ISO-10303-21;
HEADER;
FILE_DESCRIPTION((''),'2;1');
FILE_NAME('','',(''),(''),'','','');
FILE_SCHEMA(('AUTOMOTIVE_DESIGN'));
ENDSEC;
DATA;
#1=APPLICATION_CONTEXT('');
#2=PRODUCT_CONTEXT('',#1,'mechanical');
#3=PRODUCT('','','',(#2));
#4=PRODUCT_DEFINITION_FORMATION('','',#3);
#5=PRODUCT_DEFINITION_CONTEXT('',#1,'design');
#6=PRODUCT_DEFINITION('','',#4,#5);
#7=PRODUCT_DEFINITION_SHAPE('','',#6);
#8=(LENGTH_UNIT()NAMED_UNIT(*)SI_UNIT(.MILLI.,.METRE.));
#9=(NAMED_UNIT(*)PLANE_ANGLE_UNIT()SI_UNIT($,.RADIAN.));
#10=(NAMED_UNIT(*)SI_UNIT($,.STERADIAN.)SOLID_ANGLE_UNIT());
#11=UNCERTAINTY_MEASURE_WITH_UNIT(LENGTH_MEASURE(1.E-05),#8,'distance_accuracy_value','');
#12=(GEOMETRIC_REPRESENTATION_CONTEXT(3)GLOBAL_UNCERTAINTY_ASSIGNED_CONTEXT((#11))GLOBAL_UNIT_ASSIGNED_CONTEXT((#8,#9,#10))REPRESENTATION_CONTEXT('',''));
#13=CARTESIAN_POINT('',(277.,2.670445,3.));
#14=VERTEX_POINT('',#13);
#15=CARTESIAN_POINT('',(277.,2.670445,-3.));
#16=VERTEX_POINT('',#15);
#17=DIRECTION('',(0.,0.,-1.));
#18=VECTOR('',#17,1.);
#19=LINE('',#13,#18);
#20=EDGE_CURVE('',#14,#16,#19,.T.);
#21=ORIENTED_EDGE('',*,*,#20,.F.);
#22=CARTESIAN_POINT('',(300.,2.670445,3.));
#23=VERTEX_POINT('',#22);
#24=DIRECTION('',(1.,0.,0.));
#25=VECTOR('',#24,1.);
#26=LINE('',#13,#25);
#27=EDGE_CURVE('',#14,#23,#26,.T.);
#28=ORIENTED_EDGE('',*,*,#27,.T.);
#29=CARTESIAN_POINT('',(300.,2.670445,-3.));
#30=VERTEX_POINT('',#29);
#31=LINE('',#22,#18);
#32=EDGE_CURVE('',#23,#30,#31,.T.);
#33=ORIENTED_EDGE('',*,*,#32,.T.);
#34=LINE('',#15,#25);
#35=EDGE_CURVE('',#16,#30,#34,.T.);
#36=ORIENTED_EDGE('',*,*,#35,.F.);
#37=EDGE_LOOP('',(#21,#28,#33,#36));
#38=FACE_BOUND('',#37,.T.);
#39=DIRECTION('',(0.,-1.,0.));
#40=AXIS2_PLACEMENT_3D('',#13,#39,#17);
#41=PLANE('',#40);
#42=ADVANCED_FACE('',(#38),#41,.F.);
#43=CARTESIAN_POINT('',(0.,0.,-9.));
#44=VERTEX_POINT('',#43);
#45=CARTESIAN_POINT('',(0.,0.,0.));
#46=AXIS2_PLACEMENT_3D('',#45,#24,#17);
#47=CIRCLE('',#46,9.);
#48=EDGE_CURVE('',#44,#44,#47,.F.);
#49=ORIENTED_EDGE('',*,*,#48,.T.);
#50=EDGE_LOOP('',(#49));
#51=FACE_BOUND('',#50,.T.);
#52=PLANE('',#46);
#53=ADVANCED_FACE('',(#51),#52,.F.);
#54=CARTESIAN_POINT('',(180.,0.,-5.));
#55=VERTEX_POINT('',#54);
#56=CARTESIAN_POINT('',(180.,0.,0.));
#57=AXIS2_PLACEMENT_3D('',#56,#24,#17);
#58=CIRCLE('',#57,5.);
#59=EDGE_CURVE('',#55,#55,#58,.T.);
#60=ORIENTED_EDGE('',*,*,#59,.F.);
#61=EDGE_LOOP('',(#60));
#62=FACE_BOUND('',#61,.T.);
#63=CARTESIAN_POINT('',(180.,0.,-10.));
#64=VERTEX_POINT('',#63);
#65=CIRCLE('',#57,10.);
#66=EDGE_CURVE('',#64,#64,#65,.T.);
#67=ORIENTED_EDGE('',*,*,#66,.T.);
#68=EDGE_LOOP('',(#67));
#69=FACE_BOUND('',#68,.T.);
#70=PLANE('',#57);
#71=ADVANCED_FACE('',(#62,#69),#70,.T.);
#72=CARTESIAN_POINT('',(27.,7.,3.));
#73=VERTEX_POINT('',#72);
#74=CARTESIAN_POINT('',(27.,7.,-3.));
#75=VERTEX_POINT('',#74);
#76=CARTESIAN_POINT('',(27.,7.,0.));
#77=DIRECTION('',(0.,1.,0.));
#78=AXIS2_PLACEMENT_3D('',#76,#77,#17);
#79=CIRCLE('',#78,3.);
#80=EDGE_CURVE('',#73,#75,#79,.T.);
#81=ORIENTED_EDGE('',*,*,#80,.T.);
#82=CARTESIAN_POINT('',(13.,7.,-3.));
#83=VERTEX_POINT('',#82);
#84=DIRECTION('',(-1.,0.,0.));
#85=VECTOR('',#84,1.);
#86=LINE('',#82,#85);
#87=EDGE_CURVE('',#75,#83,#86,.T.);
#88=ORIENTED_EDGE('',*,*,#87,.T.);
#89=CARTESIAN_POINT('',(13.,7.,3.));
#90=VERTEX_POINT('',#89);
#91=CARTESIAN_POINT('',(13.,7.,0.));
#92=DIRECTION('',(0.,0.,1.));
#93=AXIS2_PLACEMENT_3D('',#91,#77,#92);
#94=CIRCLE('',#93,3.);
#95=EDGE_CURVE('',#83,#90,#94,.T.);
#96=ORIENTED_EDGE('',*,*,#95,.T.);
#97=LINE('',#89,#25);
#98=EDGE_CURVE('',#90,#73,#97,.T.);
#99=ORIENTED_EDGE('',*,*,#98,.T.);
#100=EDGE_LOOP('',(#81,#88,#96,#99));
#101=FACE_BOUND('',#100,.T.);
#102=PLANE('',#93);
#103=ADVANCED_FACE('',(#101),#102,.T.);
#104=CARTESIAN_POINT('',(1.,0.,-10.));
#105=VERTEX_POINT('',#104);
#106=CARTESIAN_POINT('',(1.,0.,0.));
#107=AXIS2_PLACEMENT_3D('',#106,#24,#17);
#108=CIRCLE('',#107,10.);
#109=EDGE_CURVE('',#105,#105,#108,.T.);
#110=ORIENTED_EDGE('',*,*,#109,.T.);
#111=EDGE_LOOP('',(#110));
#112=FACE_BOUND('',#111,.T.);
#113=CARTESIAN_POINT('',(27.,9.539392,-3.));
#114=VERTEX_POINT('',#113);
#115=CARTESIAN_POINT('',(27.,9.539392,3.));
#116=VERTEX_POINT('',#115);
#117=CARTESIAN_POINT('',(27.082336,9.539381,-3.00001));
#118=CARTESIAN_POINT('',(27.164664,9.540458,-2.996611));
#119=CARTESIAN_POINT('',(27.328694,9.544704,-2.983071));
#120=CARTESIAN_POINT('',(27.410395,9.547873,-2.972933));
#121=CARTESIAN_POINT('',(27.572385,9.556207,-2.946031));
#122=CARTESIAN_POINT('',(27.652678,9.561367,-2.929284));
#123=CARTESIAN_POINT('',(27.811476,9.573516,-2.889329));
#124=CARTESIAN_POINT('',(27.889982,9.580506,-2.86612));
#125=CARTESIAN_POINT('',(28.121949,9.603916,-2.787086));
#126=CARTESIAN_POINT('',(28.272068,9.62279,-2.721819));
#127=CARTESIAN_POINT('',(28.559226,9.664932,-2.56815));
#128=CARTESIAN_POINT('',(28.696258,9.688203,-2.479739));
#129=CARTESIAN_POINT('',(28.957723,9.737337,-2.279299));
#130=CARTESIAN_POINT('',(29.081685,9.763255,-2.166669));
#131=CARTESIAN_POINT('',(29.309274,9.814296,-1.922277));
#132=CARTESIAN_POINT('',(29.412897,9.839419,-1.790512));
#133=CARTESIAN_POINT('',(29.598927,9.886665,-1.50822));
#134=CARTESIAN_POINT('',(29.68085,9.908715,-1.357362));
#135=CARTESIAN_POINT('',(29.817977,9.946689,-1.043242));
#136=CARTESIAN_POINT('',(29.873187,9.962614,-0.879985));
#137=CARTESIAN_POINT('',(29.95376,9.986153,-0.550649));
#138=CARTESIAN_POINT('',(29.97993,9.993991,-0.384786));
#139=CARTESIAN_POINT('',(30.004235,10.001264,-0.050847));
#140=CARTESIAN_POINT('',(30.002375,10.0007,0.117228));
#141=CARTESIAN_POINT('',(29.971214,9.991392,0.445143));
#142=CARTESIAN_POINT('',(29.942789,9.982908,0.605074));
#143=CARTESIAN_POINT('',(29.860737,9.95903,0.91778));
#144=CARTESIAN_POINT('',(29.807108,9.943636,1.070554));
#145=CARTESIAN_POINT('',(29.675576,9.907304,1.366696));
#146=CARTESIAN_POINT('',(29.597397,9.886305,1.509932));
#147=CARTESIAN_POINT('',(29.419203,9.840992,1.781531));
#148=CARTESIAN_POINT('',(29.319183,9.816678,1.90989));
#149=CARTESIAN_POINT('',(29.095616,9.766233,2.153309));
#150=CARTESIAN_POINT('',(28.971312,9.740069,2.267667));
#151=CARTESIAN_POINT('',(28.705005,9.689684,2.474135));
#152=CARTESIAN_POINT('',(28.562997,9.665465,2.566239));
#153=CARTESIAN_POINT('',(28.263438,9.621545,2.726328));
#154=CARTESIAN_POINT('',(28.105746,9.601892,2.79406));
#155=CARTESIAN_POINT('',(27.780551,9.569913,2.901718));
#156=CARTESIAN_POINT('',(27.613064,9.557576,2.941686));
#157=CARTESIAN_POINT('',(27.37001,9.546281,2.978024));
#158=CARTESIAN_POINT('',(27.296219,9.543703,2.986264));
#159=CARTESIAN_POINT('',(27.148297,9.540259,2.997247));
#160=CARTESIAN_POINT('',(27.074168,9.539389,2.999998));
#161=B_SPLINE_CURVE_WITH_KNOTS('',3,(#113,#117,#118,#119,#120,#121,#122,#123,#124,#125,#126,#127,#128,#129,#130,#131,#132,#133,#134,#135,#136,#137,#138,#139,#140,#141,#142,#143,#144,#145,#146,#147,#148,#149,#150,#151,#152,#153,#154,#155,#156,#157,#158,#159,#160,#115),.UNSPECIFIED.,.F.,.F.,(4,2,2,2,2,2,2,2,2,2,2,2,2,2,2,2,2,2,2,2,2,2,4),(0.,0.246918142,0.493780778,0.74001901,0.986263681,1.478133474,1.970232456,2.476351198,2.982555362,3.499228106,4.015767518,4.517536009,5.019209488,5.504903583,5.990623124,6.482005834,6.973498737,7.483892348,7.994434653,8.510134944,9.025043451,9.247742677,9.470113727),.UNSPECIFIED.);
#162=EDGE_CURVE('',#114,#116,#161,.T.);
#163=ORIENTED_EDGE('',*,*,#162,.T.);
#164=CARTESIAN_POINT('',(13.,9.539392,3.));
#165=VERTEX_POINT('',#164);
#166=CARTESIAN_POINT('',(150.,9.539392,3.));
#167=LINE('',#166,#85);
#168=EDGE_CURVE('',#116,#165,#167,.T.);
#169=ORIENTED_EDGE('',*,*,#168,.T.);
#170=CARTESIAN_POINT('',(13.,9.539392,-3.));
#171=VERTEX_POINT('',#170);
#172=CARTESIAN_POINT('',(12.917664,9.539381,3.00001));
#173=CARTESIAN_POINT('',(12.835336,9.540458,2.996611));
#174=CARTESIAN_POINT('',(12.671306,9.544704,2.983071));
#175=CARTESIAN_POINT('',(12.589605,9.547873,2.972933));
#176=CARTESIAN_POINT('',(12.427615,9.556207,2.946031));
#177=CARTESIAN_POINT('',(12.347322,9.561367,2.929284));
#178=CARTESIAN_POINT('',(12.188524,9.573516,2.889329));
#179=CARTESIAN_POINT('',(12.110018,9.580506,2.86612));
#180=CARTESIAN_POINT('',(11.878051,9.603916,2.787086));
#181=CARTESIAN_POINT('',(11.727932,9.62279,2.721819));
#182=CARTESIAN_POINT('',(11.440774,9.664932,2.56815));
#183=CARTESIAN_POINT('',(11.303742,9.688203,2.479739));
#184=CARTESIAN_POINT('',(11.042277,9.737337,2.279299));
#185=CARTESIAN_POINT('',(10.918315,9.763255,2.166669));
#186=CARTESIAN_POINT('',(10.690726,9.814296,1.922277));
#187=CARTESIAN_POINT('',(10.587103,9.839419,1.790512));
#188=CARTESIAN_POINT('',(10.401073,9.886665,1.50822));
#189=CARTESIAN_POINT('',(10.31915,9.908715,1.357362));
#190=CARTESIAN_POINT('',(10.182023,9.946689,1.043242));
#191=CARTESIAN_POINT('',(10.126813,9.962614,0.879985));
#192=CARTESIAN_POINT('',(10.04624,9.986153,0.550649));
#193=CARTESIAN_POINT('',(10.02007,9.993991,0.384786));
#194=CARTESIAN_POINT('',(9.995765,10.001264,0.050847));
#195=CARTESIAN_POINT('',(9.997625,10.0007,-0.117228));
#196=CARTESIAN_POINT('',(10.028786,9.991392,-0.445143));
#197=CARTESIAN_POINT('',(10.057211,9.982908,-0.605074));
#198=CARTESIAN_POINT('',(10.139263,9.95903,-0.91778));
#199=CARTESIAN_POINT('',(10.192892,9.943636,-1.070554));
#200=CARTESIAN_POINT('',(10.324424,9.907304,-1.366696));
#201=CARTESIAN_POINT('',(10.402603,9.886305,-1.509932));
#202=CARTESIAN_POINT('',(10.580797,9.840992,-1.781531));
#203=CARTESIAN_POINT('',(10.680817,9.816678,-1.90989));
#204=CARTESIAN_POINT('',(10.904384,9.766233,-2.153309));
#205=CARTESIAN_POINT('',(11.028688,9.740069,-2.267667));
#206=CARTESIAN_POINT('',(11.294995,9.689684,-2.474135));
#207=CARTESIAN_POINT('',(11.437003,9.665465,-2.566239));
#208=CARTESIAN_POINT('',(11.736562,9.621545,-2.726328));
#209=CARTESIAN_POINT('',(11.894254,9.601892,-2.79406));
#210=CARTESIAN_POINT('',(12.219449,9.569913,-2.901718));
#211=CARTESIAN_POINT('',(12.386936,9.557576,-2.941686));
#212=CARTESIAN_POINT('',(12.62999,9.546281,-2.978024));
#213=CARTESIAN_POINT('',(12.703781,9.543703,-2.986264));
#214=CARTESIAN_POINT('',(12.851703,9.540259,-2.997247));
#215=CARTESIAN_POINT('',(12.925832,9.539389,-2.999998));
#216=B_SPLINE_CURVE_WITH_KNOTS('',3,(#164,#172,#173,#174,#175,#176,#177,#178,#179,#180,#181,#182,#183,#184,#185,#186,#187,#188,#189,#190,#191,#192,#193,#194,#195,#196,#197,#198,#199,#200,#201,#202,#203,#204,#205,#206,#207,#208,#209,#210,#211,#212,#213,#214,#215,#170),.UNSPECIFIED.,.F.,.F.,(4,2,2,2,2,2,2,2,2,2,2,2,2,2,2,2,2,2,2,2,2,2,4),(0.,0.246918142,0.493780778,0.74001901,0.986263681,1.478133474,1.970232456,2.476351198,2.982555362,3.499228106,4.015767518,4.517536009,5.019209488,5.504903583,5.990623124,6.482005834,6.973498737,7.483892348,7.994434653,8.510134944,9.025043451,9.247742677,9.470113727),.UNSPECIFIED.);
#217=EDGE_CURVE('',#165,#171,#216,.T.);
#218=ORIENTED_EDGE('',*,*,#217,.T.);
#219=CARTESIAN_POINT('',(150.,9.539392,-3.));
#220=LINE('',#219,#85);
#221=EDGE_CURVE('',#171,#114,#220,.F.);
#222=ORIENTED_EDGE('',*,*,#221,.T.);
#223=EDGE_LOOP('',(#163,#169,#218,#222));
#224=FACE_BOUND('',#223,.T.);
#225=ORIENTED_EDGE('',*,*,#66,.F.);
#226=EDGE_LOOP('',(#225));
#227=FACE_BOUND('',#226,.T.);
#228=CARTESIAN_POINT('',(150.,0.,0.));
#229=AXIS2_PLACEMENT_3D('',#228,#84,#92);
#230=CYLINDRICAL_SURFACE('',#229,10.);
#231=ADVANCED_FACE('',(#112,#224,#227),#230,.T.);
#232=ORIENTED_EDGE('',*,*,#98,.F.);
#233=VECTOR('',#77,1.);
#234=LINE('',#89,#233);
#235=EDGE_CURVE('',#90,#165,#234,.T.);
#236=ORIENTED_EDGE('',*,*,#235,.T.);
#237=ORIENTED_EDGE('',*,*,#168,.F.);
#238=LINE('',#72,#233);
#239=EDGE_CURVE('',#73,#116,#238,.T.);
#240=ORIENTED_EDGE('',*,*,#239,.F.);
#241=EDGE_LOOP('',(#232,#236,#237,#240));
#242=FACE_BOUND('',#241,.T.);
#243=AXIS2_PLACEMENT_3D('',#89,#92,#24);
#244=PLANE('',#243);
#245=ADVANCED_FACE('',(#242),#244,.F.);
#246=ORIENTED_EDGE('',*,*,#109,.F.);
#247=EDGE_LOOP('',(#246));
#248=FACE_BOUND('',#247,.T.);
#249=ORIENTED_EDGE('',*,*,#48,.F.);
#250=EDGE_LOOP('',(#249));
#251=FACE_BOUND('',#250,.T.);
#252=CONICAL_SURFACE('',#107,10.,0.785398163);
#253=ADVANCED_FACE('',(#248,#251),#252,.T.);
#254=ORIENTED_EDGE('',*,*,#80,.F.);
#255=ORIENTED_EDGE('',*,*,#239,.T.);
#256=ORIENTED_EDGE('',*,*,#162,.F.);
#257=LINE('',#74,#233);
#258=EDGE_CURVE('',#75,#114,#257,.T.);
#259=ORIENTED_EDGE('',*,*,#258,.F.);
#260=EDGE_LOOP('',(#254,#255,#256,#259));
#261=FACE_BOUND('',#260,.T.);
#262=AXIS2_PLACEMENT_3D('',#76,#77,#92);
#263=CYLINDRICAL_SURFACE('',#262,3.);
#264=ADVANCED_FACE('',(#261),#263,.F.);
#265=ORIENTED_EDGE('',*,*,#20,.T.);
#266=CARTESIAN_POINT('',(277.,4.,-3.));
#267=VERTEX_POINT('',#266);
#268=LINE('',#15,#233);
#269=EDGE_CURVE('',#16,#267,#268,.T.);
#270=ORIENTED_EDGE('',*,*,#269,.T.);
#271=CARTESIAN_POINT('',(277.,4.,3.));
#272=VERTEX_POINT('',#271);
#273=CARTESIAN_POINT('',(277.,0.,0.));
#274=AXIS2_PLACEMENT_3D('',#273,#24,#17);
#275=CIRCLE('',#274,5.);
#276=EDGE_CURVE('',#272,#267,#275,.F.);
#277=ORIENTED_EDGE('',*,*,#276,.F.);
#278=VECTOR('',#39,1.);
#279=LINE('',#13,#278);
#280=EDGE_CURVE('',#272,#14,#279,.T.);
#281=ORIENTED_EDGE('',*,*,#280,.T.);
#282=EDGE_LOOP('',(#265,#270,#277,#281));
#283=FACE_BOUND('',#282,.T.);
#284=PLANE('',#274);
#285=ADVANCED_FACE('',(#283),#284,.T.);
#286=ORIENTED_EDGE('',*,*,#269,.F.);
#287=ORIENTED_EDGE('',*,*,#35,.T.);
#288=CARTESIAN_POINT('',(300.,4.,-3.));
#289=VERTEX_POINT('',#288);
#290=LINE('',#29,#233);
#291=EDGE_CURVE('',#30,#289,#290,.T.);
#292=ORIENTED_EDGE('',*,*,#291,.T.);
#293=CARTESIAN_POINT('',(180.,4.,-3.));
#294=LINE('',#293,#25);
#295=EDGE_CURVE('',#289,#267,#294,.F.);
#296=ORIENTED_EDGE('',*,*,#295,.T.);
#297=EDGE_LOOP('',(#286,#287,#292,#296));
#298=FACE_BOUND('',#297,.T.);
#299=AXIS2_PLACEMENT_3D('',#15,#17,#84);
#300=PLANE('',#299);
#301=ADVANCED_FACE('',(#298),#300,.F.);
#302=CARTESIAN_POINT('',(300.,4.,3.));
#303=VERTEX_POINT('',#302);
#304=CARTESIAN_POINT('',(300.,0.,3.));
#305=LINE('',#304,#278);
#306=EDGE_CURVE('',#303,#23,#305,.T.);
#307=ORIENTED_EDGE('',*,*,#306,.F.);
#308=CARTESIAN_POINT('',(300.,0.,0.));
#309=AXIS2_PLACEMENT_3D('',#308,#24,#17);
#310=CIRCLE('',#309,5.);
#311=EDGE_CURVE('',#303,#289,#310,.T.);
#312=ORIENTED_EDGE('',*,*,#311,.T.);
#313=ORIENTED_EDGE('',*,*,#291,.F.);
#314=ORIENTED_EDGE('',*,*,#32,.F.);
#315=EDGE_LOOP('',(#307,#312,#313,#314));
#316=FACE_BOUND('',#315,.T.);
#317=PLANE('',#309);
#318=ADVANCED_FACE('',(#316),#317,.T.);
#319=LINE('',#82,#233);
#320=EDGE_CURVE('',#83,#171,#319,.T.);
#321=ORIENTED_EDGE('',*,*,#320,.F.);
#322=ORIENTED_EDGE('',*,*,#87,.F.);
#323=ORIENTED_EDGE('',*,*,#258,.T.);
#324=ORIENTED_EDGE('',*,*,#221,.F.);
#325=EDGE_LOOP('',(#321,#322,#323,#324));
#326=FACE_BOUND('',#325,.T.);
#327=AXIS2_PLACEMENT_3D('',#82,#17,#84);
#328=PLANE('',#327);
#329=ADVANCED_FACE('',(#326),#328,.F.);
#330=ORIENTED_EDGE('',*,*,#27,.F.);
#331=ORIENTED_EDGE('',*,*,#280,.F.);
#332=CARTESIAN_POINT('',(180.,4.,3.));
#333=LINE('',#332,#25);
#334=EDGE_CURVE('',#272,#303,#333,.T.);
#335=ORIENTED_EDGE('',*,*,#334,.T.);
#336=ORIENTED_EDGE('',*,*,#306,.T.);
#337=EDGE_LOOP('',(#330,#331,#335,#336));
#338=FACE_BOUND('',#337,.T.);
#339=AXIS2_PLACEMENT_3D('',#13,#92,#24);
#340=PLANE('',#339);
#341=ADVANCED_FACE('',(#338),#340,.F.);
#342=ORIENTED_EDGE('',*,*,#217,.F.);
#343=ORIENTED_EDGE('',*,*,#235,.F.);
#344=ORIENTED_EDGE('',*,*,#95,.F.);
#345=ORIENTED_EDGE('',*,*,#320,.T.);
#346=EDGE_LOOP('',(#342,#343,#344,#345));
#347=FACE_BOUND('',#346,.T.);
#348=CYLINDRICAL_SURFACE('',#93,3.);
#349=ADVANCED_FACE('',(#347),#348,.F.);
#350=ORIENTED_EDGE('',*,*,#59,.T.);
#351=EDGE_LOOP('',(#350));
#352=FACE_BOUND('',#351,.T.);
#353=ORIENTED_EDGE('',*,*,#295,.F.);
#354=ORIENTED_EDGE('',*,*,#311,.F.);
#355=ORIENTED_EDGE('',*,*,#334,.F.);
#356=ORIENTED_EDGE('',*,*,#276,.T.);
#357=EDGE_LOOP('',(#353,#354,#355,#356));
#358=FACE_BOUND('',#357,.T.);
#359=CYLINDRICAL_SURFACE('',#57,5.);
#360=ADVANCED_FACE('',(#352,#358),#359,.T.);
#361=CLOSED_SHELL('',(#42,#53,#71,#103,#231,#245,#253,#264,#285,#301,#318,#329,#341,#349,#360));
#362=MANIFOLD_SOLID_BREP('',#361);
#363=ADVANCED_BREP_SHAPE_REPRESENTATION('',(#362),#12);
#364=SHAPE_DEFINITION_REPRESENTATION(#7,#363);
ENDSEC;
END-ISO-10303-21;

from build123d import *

# Parameters (mm, degrees)
SKETCH_1_R          = 10
EXTRUDE_1_DEPTH     = 150
CUT_EXTRUDE_1_DEPTH = 3
CHAMFER_1_SIZE      = 1
SKETCH_3_R          = 10
EXTRUDE_2_DEPTH     = 150
CUT_EXTRUDE_2_DEPTH = 3
CHAMFER_2_SIZE      = 1
CUT_EXTRUDE_START   = -120
SKETCH_5_R          = 10
SKETCH_5_R_2        = 5
CUT_EXTRUDE_3_DEPTH = 120
SKETCH_6_W          = 6
SKETCH_6_H          = 4.078010131
CUT_EXTRUDE_4_DEPTH = 23


with BuildPart() as part:
    # 草图1 → 凸台-拉伸1 (new body)
    with BuildSketch(Plane(origin=(0, 0, 0), x_dir=(0, 0, -1), z_dir=(1, 0, 0))):
        Circle(SKETCH_1_R)
    extrude(amount=EXTRUDE_1_DEPTH)

    # 草图2 → 切除-拉伸1 (cut)
    with BuildSketch(Plane(origin=(0, 10, 0), x_dir=(1, 0, 0), z_dir=(0, 1, 0))):
        with BuildLine():
            Line((13, 3), (27, 3))
            ThreePointArc((27, 3), (30, 0), (27, -3))
            Line((27, -3), (13, -3))
            ThreePointArc((13, -3), (10, 0), (13, 3))
        make_face()
    extrude(amount=-CUT_EXTRUDE_1_DEPTH, mode=Mode.SUBTRACT)

    # 倒角1
    chamfer_1_edges = [part.edges().sort_by_distance(p)[0] for p in [
        (0, 0, 10),
    ]]
    chamfer(chamfer_1_edges, length=CHAMFER_1_SIZE)

    # 草图3 → 凸台-拉伸2 (add)
    with BuildSketch(Plane(origin=(150, 0, 0), x_dir=(0, 0, -1), z_dir=(1, 0, 0))):
        Circle(SKETCH_3_R)
    extrude(amount=EXTRUDE_2_DEPTH)

    # 草图4 → 切除-拉伸2 (cut)
    with BuildSketch(Plane(origin=(0, 10, 0), x_dir=(1, 0, 0), z_dir=(0, 1, 0))):
        with BuildLine():
            Line((273, 3), (287, 3))
            ThreePointArc((287, 3), (290, 0), (287, -3))
            Line((287, -3), (273, -3))
            ThreePointArc((273, -3), (270, 0), (273, 3))
        make_face()
    extrude(amount=-CUT_EXTRUDE_2_DEPTH, mode=Mode.SUBTRACT)

    # 倒角2
    chamfer_2_edges = [part.edges().sort_by_distance(p)[0] for p in [
        (300, 0, 10),
    ]]
    chamfer(chamfer_2_edges, length=CHAMFER_2_SIZE)

    # 草图5 → 切除-拉伸3 (cut)
    with BuildSketch(Plane(origin=(300, 0, 0), x_dir=(0, 0, -1), z_dir=(1, 0, 0)).offset(CUT_EXTRUDE_START)):
        Circle(SKETCH_5_R)
        Circle(SKETCH_5_R_2, mode=Mode.SUBTRACT)
    extrude(amount=CUT_EXTRUDE_3_DEPTH, mode=Mode.SUBTRACT)

    # 草图6 → 切除-拉伸4 (cut)
    with BuildSketch(Plane(origin=(300, 0, 0), x_dir=(0, 0, -1), z_dir=(1, 0, 0))):
        with Locations((0, 4.709450104)):
            Rectangle(SKETCH_6_W, SKETCH_6_H)
    extrude(amount=-CUT_EXTRUDE_4_DEPTH, mode=Mode.SUBTRACT)


solid = part.part
